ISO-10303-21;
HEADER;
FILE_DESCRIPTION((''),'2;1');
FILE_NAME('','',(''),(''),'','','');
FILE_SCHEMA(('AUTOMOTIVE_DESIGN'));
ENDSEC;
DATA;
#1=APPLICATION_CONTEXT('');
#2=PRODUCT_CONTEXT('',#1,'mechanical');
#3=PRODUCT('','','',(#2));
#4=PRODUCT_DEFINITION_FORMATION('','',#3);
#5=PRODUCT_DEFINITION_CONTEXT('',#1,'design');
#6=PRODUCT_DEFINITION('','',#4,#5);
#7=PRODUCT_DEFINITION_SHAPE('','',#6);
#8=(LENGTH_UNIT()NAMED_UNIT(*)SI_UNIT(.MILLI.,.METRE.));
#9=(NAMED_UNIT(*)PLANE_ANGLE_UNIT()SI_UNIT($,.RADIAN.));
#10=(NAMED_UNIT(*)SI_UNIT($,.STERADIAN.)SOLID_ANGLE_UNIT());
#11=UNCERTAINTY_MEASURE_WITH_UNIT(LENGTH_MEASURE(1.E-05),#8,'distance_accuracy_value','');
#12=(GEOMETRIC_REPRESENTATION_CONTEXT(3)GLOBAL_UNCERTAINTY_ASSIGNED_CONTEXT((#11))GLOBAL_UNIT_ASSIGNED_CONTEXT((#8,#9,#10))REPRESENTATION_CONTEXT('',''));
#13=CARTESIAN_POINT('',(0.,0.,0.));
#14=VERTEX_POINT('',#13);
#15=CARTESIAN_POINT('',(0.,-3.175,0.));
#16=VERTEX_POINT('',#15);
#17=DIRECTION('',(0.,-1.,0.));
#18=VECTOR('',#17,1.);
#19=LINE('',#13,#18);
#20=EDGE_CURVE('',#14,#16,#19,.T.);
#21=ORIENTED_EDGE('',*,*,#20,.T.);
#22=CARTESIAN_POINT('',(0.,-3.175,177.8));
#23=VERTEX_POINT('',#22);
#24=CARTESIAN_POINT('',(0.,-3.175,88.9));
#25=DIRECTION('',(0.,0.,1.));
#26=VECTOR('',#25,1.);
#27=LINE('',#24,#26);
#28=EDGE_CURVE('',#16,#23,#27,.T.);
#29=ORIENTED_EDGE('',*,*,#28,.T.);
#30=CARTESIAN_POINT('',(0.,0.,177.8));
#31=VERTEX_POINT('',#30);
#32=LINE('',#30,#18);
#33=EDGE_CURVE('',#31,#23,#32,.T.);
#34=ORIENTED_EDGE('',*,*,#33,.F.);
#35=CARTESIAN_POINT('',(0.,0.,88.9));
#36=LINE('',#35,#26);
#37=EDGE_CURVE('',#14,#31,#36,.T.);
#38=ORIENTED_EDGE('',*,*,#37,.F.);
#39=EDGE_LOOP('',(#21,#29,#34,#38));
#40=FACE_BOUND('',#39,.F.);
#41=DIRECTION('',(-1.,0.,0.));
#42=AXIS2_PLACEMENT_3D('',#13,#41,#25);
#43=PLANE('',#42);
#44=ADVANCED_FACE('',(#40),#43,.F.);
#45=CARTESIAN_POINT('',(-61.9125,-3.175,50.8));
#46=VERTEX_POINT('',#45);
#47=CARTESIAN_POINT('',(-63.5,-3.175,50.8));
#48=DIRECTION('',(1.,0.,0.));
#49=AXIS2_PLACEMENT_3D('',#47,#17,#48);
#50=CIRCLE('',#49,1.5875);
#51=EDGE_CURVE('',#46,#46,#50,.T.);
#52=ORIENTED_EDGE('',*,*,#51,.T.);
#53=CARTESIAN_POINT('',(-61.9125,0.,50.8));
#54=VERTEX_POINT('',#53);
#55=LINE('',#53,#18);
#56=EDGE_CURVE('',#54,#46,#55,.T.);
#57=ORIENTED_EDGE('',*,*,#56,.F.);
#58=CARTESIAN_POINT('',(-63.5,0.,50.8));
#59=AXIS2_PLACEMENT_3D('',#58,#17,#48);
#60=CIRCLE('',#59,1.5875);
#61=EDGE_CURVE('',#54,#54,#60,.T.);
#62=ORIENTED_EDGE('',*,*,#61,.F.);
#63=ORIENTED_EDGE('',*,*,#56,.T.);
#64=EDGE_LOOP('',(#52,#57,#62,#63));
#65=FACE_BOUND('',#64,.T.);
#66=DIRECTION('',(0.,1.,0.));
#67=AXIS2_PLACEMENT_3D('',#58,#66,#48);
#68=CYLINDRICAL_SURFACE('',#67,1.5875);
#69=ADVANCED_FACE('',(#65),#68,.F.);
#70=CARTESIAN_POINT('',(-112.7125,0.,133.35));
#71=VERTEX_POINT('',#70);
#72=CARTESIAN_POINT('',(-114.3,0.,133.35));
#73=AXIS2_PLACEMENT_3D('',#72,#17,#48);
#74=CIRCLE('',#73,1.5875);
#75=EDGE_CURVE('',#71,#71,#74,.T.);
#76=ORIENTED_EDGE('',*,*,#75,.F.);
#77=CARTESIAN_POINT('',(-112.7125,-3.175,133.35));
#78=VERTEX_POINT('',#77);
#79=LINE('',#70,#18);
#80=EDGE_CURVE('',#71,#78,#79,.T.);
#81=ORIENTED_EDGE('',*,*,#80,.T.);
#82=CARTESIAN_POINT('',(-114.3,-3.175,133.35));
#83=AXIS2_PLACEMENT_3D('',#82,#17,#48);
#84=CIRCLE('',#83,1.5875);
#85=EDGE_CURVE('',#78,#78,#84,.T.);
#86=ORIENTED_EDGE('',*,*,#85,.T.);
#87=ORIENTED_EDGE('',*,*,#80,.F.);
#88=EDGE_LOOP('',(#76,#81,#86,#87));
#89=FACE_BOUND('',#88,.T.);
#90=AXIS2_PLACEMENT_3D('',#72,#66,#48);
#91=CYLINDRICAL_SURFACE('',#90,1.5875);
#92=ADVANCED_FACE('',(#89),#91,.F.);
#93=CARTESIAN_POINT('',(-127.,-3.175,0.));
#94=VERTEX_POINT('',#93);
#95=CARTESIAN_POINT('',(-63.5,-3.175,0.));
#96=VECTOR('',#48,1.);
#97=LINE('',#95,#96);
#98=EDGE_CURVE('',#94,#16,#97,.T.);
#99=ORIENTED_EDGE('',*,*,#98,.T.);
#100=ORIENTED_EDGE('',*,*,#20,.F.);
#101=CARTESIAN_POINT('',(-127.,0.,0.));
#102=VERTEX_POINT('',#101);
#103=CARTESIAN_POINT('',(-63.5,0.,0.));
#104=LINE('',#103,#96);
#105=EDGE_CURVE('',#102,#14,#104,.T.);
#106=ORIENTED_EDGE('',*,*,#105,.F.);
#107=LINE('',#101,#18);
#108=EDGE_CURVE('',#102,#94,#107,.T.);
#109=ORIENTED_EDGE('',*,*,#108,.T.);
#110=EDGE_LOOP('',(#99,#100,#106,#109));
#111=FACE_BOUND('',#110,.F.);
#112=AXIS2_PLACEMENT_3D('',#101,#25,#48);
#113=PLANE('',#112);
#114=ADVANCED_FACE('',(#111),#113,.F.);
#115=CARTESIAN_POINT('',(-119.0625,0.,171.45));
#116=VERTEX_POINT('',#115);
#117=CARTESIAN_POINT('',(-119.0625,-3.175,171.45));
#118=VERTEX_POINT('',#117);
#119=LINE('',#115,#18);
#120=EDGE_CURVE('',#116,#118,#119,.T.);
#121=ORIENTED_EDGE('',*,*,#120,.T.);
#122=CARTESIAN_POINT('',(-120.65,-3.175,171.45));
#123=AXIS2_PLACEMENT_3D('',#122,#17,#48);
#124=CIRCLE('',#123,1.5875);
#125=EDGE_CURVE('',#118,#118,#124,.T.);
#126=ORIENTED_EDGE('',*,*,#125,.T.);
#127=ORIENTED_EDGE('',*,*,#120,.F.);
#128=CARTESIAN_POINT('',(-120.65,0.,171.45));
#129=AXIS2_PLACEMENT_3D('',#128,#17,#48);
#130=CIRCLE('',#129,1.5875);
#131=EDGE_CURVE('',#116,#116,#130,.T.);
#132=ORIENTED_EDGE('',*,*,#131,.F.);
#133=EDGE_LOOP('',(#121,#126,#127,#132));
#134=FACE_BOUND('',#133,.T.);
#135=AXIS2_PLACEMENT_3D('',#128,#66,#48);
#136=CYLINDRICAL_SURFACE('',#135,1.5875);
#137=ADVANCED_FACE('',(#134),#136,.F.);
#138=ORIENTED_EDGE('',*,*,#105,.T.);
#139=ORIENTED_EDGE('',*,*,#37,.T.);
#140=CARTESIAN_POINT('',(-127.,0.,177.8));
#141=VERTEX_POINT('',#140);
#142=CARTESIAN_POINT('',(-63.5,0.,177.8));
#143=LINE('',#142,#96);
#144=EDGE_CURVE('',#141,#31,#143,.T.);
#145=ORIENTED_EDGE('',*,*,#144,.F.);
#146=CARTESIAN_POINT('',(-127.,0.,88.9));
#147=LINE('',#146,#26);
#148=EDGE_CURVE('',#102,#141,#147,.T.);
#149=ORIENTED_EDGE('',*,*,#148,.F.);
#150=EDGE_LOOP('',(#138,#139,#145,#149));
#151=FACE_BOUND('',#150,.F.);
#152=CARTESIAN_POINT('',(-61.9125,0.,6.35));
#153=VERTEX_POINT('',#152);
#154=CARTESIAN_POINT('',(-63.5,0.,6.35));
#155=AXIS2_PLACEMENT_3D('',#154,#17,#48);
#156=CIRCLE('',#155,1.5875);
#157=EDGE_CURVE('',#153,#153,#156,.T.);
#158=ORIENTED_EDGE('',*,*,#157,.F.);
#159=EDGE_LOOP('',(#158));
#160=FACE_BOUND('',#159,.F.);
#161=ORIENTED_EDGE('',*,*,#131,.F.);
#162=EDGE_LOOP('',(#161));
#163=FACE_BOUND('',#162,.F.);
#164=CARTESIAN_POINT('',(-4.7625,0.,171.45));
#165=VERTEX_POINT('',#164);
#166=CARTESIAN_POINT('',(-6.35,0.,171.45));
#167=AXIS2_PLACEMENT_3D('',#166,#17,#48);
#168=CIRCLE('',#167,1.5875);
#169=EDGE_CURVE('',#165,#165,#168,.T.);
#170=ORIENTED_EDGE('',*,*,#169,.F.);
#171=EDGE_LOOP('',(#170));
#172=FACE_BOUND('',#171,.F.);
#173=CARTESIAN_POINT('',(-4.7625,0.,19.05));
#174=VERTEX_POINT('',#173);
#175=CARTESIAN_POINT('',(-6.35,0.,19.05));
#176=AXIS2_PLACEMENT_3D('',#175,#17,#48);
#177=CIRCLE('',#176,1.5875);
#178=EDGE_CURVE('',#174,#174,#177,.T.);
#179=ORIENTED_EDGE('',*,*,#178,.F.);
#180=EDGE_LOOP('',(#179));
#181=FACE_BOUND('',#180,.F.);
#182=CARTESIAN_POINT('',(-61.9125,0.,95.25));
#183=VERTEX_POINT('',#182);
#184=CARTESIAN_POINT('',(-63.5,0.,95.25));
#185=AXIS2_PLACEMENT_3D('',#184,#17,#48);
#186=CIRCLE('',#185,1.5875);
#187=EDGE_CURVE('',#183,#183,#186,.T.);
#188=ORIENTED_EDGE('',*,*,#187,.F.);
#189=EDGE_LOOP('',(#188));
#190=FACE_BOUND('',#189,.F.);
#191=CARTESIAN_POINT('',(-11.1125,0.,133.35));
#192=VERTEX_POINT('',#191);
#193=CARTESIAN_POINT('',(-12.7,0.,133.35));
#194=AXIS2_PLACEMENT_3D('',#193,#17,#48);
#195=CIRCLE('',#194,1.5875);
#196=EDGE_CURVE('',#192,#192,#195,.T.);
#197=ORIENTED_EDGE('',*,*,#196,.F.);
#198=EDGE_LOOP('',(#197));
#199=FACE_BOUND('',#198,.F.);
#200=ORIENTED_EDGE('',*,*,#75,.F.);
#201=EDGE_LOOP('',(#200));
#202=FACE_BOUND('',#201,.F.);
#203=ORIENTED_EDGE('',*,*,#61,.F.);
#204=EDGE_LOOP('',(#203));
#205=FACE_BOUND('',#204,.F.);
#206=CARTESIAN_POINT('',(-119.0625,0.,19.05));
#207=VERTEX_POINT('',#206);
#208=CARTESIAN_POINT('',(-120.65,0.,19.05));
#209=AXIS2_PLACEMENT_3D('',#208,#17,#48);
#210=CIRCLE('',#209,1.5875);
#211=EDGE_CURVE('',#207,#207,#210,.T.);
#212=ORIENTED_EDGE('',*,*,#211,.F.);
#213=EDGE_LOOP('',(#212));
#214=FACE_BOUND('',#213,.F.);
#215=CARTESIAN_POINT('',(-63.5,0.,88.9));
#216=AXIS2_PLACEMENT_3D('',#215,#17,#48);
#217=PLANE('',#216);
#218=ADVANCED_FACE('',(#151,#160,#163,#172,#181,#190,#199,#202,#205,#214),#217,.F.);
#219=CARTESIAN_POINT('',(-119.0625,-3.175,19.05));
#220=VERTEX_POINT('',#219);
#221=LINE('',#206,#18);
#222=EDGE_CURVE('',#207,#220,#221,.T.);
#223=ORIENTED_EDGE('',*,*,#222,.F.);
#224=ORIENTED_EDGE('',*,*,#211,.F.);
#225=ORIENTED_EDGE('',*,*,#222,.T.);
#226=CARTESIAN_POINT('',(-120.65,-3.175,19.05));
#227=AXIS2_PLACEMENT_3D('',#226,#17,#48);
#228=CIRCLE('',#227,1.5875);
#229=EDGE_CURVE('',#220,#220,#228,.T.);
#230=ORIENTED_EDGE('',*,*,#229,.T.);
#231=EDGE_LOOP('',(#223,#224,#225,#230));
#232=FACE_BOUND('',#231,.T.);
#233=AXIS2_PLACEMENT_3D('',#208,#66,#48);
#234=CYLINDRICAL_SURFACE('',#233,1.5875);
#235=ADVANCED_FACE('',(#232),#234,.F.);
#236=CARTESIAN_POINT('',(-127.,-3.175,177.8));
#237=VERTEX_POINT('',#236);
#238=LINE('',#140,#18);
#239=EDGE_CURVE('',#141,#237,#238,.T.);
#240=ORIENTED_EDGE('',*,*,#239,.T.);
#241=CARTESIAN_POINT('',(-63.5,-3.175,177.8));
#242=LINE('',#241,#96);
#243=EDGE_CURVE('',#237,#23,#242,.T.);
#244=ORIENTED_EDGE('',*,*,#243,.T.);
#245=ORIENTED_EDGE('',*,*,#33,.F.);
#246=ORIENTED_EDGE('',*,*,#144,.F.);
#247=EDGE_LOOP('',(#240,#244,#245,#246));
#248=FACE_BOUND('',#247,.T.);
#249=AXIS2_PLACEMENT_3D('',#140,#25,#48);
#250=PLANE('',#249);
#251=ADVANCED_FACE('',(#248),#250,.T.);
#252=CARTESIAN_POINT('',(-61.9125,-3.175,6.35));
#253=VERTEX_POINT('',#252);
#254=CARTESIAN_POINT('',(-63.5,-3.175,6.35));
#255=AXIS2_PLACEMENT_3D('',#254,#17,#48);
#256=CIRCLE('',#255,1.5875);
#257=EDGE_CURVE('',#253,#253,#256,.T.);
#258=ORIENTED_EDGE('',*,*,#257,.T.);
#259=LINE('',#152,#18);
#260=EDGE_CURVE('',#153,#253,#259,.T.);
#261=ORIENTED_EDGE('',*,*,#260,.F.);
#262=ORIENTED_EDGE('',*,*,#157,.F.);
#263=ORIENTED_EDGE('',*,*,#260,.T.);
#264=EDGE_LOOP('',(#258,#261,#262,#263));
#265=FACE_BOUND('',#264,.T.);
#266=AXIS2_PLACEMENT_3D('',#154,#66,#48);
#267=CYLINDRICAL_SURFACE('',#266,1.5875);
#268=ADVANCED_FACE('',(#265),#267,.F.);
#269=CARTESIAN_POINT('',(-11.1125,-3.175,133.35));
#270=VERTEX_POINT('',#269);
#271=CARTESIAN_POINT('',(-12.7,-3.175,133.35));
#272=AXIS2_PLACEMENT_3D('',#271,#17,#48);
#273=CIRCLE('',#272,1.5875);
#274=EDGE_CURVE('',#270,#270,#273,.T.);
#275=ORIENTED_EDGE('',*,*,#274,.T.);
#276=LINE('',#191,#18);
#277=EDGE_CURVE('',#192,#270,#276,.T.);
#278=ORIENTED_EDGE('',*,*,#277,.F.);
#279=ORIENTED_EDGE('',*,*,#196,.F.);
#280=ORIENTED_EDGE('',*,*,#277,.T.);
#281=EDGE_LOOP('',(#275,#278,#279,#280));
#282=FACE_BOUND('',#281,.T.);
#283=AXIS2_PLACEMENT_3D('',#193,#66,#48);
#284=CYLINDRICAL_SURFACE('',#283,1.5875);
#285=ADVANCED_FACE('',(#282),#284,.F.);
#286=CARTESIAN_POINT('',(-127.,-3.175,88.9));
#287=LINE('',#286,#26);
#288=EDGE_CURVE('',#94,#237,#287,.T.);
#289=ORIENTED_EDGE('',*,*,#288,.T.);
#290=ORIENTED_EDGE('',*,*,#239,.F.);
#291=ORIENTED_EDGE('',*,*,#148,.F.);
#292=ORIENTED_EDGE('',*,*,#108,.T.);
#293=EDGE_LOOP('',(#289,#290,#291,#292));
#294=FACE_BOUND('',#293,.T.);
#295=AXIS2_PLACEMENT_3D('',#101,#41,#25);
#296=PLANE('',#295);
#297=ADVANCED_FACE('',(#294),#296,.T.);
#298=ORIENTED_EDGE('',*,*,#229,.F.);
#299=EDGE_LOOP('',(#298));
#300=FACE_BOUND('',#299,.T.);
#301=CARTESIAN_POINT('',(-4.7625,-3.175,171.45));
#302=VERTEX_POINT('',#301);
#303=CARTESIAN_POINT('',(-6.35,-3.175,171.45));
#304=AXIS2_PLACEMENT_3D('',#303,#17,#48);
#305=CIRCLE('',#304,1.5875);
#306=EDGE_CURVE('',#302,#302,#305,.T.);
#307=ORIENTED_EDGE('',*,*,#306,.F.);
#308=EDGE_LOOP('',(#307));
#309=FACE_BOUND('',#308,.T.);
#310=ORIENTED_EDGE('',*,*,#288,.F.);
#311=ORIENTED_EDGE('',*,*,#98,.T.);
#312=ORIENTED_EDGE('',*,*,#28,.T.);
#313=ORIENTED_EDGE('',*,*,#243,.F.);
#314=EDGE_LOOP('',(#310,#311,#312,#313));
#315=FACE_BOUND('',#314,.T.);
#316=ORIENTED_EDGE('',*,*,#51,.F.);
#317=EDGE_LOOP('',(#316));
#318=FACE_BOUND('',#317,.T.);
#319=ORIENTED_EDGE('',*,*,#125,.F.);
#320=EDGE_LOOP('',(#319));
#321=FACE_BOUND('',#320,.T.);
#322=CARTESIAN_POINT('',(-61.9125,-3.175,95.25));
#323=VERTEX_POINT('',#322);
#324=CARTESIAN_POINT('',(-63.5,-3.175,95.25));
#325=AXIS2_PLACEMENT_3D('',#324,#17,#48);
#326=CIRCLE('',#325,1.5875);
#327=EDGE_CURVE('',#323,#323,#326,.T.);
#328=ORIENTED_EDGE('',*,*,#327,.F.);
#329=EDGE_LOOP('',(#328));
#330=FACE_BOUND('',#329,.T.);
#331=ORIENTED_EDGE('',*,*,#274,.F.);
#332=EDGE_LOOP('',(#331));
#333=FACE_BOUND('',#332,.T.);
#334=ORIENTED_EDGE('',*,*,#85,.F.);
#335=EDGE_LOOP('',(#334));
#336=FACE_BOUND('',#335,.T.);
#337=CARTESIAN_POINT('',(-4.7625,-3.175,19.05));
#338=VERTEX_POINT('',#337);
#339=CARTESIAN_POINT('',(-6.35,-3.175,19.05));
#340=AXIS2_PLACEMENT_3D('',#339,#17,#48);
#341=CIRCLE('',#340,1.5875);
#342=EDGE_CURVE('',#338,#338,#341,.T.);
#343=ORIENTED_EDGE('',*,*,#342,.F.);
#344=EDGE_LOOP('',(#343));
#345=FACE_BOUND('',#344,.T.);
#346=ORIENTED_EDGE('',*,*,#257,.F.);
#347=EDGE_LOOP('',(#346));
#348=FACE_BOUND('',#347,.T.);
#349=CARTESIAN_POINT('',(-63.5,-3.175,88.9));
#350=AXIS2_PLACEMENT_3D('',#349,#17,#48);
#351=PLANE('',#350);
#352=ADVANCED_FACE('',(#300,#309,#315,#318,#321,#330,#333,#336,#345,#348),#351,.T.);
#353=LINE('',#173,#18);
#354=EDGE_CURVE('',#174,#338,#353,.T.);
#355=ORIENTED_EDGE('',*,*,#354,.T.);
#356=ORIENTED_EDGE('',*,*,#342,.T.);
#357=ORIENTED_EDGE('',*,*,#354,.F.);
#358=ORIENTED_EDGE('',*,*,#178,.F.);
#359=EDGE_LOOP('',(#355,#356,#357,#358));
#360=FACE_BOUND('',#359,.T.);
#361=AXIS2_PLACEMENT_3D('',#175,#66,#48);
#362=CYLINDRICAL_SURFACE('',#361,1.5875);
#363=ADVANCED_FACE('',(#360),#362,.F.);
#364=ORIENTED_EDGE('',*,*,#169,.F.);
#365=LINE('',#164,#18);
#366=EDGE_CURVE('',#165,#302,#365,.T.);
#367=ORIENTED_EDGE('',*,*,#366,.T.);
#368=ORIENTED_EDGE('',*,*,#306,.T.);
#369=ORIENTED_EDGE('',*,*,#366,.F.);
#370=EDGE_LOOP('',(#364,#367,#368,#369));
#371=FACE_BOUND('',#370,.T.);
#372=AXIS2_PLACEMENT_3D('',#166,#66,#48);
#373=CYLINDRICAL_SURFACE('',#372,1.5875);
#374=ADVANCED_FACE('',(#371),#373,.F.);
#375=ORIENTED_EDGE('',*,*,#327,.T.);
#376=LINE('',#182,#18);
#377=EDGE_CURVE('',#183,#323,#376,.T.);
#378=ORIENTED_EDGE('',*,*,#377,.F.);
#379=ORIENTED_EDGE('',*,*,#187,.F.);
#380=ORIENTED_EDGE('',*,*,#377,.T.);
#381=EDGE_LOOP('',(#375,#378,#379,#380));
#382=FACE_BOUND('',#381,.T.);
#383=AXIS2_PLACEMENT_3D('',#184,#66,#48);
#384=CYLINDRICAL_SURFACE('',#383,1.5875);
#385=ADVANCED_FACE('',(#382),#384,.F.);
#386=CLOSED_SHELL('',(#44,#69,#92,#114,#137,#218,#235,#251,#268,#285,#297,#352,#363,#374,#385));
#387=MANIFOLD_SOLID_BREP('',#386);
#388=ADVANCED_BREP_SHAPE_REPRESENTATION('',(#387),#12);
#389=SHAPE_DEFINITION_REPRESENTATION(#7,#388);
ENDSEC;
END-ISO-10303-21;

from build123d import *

# Parameters (mm, degrees)
F0_W     = 127
F0_H     = 177.8
F0_R     = 1.5875
F1_DEPTH = 3.175


with BuildPart() as f1:
    # F0 (on Front) → F1 (new body)
    with BuildSketch(Plane.XZ):
        with Locations((-63.5, 88.9)):
            Rectangle(F0_W, F0_H)
        with Locations((-120.65, 19.05)):
            Circle(F0_R, mode=Mode.SUBTRACT)
        with Locations((-63.5, 6.35)):
            Circle(F0_R, mode=Mode.SUBTRACT)
        with Locations((-6.35, 19.05)):
            Circle(F0_R, mode=Mode.SUBTRACT)
        with Locations((-63.5, 50.8)):
            Circle(F0_R, mode=Mode.SUBTRACT)
        with Locations((-114.3, 133.35)):
            Circle(F0_R, mode=Mode.SUBTRACT)
        with Locations((-120.65, 171.45)):
            Circle(F0_R, mode=Mode.SUBTRACT)
        with Locations((-63.5, 95.25)):
            Circle(F0_R, mode=Mode.SUBTRACT)
        with Locations((-12.7, 133.35)):
            Circle(F0_R, mode=Mode.SUBTRACT)
        with Locations((-6.35, 171.45)):
            Circle(F0_R, mode=Mode.SUBTRACT)
    extrude(amount=F1_DEPTH)


solid = f1.part
